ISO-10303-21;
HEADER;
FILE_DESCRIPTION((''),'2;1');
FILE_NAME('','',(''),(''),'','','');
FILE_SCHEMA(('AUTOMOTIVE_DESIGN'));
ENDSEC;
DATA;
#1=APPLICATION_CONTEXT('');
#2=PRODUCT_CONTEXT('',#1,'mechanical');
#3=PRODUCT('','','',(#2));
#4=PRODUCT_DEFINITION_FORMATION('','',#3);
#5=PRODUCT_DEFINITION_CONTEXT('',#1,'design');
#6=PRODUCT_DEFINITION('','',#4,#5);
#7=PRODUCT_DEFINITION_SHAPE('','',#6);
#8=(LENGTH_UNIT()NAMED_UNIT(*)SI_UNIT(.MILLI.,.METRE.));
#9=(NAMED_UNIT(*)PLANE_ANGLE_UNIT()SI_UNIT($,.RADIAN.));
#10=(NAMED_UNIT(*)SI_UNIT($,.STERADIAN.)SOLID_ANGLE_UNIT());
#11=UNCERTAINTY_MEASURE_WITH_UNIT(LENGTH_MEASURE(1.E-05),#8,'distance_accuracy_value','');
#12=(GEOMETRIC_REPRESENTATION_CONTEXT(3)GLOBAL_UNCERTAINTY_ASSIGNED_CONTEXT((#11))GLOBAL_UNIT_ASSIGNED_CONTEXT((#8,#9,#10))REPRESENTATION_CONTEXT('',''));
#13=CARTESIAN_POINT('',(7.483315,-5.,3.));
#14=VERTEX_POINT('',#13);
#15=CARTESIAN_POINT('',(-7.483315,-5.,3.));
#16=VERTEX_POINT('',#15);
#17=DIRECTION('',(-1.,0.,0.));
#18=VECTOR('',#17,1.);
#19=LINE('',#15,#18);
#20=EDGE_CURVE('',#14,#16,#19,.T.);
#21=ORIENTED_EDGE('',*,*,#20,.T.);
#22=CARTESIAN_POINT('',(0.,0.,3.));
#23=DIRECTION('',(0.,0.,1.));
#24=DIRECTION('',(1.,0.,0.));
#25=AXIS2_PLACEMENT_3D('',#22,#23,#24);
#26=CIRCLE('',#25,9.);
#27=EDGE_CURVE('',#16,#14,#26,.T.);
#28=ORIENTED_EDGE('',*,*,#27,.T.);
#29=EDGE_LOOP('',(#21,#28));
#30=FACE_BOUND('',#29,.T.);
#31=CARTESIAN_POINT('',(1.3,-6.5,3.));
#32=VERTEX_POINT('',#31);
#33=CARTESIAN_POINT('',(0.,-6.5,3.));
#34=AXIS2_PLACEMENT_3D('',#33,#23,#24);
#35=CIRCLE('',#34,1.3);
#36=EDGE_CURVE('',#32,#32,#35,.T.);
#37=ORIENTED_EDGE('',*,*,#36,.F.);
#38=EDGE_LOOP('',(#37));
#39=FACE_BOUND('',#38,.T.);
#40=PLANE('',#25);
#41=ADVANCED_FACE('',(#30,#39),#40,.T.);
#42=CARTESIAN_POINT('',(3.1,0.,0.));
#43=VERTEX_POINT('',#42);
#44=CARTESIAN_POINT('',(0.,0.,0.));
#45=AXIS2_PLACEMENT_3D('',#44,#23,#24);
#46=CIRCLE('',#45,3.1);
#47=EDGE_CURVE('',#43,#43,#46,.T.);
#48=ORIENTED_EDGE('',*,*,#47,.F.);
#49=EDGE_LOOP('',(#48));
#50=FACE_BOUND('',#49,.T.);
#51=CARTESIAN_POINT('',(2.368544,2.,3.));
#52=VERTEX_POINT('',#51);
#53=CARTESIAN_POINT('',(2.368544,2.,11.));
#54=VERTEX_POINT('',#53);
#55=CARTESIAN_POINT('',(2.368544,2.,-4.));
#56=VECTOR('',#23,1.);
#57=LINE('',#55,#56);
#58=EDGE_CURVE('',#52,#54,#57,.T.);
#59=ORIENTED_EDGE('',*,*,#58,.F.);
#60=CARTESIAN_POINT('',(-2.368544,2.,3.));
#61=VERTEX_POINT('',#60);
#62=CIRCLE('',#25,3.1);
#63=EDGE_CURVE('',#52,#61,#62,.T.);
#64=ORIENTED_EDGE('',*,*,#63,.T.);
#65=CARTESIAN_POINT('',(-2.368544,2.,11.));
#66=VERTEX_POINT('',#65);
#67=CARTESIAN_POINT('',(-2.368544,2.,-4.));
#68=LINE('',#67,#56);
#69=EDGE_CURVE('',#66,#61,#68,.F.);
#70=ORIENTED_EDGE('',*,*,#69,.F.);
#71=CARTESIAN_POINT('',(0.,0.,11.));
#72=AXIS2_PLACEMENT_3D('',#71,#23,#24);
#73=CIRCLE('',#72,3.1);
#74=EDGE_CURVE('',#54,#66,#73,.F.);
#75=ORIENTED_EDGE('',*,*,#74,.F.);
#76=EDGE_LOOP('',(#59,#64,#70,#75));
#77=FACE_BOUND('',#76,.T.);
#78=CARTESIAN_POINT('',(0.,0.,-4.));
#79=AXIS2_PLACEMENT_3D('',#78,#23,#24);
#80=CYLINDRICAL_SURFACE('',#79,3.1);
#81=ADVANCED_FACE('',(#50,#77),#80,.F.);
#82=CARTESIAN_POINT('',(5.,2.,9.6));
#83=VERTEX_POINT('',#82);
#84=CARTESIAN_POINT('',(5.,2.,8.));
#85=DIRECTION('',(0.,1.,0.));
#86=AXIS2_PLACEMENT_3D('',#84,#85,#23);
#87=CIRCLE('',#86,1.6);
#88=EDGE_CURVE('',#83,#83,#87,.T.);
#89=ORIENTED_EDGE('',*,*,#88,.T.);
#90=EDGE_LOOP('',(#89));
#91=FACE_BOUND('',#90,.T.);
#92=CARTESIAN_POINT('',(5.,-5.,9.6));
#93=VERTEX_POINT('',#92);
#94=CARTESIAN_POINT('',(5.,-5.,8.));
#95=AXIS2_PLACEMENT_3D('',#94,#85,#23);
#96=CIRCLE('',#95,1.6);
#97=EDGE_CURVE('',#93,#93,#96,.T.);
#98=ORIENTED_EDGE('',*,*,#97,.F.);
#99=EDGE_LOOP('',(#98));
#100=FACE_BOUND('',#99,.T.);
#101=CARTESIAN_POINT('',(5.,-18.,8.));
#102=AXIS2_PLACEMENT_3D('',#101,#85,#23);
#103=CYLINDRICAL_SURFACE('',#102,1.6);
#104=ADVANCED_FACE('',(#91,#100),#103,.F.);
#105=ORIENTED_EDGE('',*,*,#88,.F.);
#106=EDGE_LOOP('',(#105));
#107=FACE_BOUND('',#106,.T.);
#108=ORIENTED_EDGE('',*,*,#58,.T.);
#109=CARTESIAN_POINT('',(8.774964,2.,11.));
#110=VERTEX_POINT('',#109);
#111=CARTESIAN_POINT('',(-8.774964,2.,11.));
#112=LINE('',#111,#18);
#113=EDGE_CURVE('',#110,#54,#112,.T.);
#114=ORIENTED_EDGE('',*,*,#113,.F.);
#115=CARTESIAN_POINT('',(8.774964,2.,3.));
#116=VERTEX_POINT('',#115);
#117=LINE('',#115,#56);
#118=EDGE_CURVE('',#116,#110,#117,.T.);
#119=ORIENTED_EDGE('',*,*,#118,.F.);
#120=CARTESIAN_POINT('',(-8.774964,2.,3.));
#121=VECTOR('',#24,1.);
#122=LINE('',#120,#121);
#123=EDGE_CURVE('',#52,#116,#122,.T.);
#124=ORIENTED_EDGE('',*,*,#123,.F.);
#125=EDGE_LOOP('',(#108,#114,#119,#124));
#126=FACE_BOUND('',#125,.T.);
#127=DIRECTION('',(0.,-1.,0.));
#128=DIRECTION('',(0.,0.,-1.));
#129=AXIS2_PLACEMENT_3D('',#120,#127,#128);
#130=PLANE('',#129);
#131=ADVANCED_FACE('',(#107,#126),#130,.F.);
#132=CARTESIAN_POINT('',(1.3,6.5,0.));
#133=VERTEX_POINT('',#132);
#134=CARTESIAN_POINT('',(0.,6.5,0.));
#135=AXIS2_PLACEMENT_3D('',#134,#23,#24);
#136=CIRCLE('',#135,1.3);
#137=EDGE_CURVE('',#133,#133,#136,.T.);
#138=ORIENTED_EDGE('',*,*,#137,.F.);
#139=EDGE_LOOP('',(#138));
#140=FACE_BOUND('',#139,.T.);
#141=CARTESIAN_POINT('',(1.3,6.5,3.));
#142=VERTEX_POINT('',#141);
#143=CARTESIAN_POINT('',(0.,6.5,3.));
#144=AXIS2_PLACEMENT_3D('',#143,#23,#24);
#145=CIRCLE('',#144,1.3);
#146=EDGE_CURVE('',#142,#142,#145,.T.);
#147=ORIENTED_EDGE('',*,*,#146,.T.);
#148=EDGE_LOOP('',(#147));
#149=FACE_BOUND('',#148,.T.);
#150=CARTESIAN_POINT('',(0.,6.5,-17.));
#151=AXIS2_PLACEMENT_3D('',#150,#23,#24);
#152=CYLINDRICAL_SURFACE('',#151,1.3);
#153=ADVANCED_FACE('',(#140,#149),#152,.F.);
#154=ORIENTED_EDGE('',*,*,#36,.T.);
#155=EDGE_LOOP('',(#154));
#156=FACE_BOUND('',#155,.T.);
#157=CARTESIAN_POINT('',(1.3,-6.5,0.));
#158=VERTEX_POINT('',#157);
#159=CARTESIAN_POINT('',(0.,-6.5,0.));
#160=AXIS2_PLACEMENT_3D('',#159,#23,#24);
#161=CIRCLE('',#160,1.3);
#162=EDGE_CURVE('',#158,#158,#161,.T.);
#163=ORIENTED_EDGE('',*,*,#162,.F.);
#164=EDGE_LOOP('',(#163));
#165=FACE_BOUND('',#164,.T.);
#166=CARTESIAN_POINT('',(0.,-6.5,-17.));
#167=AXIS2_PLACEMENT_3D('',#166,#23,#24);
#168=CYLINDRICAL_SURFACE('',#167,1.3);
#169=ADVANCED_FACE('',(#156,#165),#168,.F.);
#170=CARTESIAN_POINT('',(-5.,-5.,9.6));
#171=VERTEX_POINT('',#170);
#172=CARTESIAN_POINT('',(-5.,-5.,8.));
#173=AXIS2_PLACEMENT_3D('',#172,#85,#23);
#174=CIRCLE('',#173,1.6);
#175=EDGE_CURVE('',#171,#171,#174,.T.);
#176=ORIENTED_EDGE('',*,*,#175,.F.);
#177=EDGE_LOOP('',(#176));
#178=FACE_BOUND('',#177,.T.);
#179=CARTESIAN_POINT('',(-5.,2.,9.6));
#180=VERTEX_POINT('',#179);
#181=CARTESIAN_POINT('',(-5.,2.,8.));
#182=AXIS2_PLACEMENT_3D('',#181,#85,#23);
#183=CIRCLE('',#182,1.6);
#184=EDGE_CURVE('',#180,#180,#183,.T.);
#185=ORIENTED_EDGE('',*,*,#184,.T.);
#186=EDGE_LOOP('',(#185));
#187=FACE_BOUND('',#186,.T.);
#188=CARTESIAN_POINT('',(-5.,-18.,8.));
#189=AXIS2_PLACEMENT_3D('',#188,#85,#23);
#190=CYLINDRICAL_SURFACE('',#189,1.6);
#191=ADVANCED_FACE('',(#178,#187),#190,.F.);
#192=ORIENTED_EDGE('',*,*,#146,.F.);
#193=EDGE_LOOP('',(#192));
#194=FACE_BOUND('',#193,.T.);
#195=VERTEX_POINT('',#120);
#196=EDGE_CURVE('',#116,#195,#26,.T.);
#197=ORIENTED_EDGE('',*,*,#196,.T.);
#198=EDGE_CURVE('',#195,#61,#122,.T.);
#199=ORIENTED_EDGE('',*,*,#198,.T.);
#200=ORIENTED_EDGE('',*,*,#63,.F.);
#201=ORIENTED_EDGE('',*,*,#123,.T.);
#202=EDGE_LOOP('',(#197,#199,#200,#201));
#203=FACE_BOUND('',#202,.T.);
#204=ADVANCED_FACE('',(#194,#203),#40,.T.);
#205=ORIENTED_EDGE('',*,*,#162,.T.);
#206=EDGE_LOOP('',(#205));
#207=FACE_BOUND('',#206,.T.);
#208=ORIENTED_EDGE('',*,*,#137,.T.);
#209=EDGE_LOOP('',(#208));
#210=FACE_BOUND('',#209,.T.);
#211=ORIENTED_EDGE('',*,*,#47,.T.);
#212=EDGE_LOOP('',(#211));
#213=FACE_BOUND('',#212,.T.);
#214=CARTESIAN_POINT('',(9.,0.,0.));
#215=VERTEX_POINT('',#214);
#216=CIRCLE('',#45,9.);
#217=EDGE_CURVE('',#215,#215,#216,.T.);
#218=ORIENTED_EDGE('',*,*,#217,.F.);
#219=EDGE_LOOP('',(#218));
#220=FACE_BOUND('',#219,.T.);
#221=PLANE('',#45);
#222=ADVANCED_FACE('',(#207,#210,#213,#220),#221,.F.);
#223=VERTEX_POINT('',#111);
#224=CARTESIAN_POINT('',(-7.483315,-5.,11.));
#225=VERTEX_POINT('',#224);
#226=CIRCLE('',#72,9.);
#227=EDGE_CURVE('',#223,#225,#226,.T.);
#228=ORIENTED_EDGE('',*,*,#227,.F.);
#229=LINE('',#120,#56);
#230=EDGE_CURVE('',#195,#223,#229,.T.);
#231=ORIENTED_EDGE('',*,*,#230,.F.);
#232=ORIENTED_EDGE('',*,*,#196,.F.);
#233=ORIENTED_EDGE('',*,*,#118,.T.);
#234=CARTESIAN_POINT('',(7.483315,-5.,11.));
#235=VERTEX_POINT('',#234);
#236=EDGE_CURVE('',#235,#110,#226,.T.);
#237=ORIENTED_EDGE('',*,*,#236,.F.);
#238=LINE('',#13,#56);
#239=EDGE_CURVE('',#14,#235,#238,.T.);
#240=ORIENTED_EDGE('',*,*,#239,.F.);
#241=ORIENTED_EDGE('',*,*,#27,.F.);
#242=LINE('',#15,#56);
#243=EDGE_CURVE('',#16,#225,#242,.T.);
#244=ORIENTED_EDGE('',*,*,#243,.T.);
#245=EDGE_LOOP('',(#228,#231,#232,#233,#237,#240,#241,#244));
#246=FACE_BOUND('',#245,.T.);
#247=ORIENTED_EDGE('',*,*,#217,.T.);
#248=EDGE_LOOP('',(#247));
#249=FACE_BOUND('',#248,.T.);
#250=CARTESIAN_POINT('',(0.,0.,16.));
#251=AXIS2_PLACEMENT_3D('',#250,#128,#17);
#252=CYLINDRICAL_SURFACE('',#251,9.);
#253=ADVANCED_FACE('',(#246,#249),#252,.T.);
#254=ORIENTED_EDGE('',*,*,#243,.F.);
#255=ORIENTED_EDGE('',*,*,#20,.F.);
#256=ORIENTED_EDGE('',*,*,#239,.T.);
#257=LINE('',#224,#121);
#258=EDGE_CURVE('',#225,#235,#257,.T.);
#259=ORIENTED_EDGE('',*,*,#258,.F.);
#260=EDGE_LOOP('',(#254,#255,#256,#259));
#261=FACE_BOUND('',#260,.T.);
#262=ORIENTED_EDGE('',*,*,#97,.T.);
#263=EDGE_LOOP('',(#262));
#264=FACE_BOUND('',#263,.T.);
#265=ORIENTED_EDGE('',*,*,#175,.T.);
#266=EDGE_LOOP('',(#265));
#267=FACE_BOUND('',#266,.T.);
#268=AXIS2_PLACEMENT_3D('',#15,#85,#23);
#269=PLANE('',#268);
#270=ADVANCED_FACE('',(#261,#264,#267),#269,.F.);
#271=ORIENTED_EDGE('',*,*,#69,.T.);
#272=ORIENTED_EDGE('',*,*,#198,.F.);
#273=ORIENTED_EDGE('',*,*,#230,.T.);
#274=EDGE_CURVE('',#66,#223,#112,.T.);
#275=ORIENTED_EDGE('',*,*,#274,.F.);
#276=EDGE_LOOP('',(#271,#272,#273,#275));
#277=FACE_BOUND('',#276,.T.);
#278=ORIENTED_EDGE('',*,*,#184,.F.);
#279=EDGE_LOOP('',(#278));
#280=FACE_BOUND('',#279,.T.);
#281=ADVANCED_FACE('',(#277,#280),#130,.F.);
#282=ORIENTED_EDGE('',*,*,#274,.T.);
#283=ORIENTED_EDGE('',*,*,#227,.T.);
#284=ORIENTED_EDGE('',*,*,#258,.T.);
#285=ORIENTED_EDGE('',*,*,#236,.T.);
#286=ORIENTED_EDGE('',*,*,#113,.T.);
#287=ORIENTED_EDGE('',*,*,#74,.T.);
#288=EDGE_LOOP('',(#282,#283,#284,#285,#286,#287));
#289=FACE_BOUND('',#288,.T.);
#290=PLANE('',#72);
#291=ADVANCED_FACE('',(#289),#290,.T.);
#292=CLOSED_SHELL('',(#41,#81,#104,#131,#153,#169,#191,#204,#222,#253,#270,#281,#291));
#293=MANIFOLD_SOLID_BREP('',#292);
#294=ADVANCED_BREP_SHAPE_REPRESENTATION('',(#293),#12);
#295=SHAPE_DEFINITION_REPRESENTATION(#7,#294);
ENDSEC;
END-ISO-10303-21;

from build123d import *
from build123d.topology import SkipClean

# Parameters (mm, degrees)
SKETCH_1_R          = 9.5
EXTRUDE_1_DEPTH     = 3
SKETCH_3_R          = 9
EXTRUDE_2_DEPTH     = 13
CUT_EXTRUDE_START   = -13
CUT_EXTRUDE_2_DEPTH = 13
SKETCH_5_R          = 3.1
CUT_EXTRUDE_3_DEPTH = 20
SKETCH_6_R          = 1.6
CUT_EXTRUDE_4_DEPTH = 20
SKETCH_7_R          = 1.3
CUT_EXTRUDE_5_DEPTH = 20
CUT_EXTRUDE_START_2 = -5
SKETCH_8_R          = 9
CUT_EXTRUDE_6_DEPTH = 5
SKETCH_9_OUTSIDE_W  = 26.806
SKETCH_9_OUTSIDE_H  = 26.806
SKETCH_9_OUTSIDE_R  = 9
CUT_EXTRUDE_7_DEPTH = 13


with BuildPart() as part:
    # 草图1 → 凸台-拉伸1 (new body)
    with BuildSketch(Plane.XY):
        Circle(SKETCH_1_R)
    extrude(amount=EXTRUDE_1_DEPTH)

    # 草图3 → 凸台-拉伸2 (add)
    with BuildSketch(Plane.XY.offset(3)):
        with Locations(Location((0, 0, 0), (0, 0, 180))):
            Circle(SKETCH_3_R)
    extrude(amount=EXTRUDE_2_DEPTH)

    # 草图4 → 切除-拉伸2 (cut)
    with BuildSketch(Plane.XY.offset(16).offset(CUT_EXTRUDE_START)):
        with BuildLine():
            Line((-8.774964387, 2), (8.774964387, 2))
            ThreePointArc((8.774964387, 2), (0, 9), (-8.774964387, 2))
        make_face()
        with BuildLine():
            Line((-7.483314774, -5), (7.483314774, -5))
            ThreePointArc((7.483314774, -5), (0, -9), (-7.483314774, -5))
        make_face()
    extrude(amount=CUT_EXTRUDE_2_DEPTH, mode=Mode.SUBTRACT)

    # 草图5 → 切除-拉伸3 (cut)
    with BuildSketch(Plane.XY.offset(16)):
        Circle(SKETCH_5_R)
    extrude(amount=-CUT_EXTRUDE_3_DEPTH, mode=Mode.SUBTRACT)

    # 草图6 → 切除-拉伸4 (cut)
    with BuildSketch(Plane(origin=(0, 2, 0), x_dir=(1, 0, 0), z_dir=(0, 1, 0))):
        with Locations(Location((-5, -8, 0), (0, 0, 270))):
            Circle(SKETCH_6_R)
        with Locations(Location((5, -8, 0), (0, 0, 270))):
            Circle(SKETCH_6_R)
        with Locations(Location((0, -14, 0), (0, 0, 270))):
            Circle(SKETCH_6_R)
    extrude(amount=-CUT_EXTRUDE_4_DEPTH, mode=Mode.SUBTRACT)

    # 草图7 → 切除-拉伸5 (cut)
    with BuildSketch(Plane.XY.offset(3)):
        with Locations((0, 6.5)):
            Circle(SKETCH_7_R)
        with Locations((0, -6.5)):
            Circle(SKETCH_7_R)
    extrude(amount=-CUT_EXTRUDE_5_DEPTH, mode=Mode.SUBTRACT)

    # 草图8 → 切除-拉伸6 (cut)
    with BuildSketch(Plane.XY.offset(16).offset(CUT_EXTRUDE_START_2)):
        Circle(SKETCH_8_R)
    extrude(amount=CUT_EXTRUDE_6_DEPTH, mode=Mode.SUBTRACT)

    # 草图9 outside → 切除-拉伸7 (cut)
    with SkipClean():  # the faces are left unmerged after this step: merging them gives an invalid solid
        with BuildSketch(Plane.XY.offset(3)):
            Rectangle(SKETCH_9_OUTSIDE_W, SKETCH_9_OUTSIDE_H)
            with Locations(Location((0, 0, 0), (0, 0, 167.160411593))):
                Circle(SKETCH_9_OUTSIDE_R, mode=Mode.SUBTRACT)
        extrude(amount=-CUT_EXTRUDE_7_DEPTH, mode=Mode.SUBTRACT)


solid = part.part
